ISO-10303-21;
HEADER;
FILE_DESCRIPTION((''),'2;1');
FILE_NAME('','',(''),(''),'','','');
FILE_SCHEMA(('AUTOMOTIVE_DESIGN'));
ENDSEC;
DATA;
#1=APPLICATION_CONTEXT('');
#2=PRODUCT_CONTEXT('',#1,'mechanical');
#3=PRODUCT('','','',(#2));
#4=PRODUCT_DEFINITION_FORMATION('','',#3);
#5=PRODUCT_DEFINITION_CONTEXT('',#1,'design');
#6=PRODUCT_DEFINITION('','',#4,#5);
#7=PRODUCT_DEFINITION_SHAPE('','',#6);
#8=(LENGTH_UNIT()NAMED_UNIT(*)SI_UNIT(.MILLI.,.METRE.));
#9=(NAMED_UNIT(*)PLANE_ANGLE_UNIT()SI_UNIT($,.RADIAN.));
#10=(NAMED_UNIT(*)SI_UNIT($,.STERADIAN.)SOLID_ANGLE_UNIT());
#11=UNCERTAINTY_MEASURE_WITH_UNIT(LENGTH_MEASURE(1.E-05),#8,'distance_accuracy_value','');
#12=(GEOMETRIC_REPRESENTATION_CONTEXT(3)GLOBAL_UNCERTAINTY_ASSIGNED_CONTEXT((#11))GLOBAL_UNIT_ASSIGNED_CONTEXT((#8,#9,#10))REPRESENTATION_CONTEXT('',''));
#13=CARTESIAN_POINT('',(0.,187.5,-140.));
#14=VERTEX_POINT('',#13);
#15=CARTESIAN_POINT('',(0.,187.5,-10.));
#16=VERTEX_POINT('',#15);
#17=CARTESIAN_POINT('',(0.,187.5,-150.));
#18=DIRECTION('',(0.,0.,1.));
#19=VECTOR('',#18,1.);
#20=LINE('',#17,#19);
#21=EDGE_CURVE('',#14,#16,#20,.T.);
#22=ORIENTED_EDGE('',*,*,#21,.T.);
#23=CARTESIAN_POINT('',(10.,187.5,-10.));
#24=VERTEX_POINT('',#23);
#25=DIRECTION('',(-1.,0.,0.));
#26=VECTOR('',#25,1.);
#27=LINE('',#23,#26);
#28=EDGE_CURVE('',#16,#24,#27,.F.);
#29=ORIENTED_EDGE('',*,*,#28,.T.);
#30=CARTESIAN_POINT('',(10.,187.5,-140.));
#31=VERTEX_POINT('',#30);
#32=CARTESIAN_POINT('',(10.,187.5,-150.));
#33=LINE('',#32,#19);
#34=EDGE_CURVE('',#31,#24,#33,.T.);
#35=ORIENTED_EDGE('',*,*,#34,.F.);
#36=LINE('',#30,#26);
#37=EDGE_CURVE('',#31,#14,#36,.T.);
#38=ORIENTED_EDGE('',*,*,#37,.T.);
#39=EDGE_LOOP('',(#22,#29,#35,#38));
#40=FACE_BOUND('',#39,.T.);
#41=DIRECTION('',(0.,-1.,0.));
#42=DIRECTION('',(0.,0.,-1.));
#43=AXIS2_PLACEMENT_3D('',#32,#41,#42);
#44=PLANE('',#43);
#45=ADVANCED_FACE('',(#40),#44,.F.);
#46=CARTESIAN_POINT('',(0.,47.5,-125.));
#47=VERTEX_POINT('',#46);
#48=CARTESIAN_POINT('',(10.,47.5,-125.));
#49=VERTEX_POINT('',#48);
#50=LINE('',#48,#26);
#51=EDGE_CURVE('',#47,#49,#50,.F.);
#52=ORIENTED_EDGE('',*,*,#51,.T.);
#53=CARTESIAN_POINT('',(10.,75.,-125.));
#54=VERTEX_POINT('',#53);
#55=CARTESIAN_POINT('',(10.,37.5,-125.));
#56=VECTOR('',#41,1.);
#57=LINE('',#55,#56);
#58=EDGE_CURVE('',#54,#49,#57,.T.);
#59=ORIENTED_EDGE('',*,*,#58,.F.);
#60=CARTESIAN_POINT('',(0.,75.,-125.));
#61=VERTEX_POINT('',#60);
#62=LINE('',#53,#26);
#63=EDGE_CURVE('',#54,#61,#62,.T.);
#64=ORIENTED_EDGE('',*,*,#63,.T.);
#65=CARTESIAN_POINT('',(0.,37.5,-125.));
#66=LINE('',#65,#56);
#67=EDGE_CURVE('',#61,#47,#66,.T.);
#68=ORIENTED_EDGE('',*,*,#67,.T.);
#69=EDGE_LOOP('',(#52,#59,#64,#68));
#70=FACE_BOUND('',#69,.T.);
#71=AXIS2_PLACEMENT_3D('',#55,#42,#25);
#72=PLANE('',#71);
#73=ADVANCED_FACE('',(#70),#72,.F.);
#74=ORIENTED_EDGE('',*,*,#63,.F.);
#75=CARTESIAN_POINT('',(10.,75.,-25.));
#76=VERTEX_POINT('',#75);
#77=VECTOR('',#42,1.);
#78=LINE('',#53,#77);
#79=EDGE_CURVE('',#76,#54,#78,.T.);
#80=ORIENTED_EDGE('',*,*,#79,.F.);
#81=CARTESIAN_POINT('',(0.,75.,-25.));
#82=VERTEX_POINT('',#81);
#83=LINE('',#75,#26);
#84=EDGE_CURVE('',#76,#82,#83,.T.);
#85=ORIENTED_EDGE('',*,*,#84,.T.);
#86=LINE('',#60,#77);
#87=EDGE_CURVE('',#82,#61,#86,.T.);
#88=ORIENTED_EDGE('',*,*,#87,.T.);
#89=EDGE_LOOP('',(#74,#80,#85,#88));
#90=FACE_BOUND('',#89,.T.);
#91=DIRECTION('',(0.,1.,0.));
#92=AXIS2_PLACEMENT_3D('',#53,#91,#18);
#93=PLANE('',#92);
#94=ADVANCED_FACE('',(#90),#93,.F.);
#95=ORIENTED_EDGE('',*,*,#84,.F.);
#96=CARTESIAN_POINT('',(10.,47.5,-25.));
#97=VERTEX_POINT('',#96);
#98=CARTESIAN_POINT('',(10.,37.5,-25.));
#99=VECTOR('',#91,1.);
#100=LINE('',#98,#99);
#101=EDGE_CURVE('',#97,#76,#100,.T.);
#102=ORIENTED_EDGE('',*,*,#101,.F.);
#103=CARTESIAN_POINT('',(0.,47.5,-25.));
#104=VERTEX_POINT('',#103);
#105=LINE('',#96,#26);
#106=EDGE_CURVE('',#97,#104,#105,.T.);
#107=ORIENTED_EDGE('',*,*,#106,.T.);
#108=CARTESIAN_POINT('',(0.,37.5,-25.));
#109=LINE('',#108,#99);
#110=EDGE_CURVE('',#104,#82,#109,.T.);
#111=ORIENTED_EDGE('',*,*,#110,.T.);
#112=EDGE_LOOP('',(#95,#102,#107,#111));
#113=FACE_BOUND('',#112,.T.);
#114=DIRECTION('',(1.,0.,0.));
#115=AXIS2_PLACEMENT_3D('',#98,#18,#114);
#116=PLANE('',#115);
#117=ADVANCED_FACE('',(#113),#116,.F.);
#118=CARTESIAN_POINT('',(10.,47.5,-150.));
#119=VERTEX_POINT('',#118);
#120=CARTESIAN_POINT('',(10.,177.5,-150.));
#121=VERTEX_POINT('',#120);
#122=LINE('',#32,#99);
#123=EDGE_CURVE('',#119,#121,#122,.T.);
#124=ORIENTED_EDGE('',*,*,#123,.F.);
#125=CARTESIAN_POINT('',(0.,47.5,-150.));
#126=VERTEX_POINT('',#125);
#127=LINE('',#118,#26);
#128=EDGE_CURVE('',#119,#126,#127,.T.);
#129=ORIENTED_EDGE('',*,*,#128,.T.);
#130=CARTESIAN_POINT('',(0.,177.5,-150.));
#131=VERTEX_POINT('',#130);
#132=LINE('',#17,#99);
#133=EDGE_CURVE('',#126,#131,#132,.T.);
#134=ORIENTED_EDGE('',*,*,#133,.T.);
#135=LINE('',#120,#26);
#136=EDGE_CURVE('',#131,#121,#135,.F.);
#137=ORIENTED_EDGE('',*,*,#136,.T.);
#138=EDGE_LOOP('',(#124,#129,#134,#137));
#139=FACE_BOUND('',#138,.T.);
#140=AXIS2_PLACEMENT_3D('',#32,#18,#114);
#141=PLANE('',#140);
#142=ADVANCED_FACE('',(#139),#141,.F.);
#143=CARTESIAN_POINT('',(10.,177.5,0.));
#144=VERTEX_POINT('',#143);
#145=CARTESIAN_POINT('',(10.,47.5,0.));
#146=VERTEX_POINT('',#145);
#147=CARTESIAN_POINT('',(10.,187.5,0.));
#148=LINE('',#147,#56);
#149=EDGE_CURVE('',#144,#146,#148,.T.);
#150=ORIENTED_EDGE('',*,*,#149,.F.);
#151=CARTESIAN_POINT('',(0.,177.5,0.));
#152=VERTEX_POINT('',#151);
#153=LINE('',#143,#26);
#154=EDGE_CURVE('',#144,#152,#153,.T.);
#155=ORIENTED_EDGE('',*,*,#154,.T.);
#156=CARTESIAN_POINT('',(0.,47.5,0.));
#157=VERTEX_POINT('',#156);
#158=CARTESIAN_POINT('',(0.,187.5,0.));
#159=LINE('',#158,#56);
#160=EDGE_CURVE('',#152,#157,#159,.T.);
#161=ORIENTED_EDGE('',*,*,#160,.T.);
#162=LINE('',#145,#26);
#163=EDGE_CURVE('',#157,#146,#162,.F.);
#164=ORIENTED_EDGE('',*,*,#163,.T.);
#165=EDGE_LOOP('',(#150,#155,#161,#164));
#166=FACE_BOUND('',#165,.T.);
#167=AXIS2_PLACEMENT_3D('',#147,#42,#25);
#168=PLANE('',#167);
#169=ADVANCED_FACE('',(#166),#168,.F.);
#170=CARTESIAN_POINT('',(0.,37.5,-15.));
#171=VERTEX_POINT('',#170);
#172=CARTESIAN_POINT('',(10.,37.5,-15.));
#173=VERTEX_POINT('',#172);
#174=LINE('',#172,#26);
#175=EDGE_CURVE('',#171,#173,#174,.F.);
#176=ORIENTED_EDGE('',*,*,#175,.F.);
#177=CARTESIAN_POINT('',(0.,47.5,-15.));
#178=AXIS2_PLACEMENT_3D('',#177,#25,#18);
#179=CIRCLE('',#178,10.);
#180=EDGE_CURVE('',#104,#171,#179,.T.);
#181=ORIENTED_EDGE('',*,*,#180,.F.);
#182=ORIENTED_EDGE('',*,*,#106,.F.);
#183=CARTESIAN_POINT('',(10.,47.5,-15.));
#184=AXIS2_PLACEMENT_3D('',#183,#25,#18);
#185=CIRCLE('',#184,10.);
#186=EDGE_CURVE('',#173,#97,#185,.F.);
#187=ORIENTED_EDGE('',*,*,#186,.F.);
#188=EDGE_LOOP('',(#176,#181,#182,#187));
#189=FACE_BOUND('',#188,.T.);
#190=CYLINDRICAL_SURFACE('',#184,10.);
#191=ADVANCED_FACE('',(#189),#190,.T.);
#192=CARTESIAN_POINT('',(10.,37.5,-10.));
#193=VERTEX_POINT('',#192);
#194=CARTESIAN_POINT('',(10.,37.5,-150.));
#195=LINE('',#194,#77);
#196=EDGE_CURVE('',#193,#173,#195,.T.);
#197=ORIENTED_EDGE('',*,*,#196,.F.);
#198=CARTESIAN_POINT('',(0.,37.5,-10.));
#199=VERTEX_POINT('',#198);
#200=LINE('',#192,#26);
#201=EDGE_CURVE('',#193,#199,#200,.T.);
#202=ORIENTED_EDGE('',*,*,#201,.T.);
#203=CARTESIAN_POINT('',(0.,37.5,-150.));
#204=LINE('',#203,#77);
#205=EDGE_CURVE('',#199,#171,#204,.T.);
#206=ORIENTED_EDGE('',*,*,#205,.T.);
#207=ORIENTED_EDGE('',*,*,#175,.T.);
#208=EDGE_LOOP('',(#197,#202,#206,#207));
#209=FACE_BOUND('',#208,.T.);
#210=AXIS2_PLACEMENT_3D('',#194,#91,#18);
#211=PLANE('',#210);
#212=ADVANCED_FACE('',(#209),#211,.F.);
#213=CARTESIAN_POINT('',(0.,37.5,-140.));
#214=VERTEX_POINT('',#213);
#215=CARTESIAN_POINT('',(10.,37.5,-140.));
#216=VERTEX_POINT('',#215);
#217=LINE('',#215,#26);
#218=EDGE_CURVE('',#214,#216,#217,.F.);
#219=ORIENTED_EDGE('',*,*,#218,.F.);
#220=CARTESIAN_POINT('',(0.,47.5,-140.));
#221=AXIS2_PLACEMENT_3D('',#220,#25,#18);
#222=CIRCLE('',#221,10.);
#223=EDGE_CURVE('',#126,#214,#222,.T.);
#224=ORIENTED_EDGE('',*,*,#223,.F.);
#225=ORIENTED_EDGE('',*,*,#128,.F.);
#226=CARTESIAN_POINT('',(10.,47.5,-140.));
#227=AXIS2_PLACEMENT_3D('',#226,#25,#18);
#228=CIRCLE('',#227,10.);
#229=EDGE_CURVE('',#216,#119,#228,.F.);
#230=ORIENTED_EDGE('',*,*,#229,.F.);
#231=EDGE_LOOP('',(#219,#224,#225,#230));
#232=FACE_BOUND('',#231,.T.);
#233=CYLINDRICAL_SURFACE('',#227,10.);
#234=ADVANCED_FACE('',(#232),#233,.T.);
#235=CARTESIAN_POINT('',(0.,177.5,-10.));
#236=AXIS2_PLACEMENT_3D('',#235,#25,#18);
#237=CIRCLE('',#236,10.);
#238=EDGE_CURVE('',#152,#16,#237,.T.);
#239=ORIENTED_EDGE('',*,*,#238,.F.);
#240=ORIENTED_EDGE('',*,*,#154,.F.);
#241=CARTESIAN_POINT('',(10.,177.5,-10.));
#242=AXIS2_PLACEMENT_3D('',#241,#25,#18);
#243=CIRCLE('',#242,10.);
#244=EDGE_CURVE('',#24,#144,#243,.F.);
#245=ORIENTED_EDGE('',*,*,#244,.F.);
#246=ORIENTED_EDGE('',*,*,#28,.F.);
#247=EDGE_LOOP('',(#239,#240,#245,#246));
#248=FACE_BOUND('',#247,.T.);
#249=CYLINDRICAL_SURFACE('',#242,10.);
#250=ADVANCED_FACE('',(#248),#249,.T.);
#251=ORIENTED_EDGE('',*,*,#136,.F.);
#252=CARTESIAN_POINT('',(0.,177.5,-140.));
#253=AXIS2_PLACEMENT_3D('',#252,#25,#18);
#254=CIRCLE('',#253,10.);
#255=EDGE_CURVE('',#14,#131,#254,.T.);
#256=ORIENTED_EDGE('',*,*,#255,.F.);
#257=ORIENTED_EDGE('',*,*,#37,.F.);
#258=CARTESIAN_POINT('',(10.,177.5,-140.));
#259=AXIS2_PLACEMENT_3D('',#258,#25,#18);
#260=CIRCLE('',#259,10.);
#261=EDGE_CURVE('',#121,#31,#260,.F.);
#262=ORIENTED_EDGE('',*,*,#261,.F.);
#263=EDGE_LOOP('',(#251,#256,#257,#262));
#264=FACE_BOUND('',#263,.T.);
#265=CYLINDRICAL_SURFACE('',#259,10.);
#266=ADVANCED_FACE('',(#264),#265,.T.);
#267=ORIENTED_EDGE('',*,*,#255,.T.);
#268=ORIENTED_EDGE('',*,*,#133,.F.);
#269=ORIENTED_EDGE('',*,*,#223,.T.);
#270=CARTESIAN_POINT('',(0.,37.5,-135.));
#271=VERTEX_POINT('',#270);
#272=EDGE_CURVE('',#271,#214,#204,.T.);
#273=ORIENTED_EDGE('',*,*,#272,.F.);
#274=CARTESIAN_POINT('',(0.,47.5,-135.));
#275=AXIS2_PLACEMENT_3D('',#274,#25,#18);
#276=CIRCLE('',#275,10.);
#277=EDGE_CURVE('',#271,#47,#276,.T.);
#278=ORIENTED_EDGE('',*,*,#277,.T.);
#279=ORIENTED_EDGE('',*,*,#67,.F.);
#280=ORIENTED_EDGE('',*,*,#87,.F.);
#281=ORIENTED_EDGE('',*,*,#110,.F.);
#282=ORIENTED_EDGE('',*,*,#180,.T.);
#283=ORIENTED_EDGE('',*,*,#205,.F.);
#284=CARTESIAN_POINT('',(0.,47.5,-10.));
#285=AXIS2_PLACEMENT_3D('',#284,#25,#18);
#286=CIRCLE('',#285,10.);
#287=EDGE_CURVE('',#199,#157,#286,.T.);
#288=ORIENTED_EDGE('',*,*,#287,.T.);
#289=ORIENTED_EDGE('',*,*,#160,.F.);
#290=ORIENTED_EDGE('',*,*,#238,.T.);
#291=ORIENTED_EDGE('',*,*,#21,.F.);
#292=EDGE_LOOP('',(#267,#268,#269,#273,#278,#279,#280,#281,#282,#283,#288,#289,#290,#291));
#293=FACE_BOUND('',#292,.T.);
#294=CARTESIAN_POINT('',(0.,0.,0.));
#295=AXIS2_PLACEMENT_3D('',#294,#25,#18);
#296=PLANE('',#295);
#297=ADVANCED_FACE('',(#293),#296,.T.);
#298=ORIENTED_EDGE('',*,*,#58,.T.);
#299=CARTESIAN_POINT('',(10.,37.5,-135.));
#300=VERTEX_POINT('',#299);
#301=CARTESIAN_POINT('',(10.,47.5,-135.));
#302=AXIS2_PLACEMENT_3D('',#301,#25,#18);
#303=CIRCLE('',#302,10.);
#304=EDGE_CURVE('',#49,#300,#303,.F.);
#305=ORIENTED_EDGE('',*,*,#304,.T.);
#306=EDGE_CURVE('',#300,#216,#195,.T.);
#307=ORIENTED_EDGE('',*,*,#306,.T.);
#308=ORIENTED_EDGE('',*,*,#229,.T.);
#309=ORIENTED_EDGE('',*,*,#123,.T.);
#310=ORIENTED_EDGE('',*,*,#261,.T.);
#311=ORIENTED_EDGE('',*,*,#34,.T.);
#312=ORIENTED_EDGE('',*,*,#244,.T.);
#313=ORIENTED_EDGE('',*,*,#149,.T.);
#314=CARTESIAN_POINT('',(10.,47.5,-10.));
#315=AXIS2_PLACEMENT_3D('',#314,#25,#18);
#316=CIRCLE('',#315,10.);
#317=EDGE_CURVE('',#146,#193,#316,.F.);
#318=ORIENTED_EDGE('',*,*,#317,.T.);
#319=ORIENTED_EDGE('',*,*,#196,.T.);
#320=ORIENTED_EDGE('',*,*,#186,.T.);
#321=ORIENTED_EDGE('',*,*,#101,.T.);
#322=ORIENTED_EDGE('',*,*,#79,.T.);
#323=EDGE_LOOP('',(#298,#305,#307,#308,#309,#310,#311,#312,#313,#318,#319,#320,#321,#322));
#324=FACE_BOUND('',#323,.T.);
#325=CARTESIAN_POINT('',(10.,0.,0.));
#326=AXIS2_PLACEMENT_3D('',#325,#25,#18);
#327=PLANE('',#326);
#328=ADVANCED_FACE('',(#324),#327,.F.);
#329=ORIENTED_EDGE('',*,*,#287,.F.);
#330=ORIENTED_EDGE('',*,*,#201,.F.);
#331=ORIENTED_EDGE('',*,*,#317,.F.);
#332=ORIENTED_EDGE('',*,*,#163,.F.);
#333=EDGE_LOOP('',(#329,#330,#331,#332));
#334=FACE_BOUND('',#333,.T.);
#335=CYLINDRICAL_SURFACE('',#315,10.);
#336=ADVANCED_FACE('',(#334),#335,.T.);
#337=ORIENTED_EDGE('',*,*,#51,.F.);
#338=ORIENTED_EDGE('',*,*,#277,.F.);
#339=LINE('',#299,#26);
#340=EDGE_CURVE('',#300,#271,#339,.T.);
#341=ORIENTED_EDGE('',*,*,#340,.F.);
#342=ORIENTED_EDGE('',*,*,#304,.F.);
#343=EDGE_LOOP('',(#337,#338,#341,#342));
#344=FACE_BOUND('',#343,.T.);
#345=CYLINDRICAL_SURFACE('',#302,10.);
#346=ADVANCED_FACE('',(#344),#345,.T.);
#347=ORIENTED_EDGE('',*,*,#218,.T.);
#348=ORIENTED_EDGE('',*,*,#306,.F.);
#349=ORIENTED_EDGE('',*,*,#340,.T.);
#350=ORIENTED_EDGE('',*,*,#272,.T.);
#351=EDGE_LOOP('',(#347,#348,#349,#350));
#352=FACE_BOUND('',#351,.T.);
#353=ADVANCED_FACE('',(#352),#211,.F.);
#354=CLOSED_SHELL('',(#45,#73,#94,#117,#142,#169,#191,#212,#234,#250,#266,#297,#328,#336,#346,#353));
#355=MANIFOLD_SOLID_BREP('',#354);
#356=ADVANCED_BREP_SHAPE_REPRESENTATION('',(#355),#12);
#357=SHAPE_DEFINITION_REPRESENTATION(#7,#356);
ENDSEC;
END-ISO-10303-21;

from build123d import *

# Parameters (mm, degrees)
SKETCH10_W          = 150
SKETCH10_H          = 150
BOSS_EXTRUDE3_DEPTH = 10
SKETCH12_W          = 100
SKETCH12_H          = 37.5
CUT_EXTRUDE2_DEPTH  = 10
FILLET7_R           = 10


with BuildPart() as part:
    # Sketch10 → Boss-Extrude3 (new body)
    with BuildSketch(Plane(origin=(0, 0, 0), x_dir=(0, 0, -1), z_dir=(1, 0, 0))):
        with Locations((75, 112.5)):
            Rectangle(SKETCH10_W, SKETCH10_H)
    extrude(amount=BOSS_EXTRUDE3_DEPTH)

    # Sketch12 → Cut-Extrude2 (cut)
    with BuildSketch(Plane.ZY):
        with Locations((-75, 56.25)):
            Rectangle(SKETCH12_W, SKETCH12_H)
    extrude(amount=-CUT_EXTRUDE2_DEPTH, mode=Mode.SUBTRACT)

    # Fillet7
    fillet7_edges = [part.edges().sort_by_distance(p)[0] for p in [
        (5, 37.5, -125),
        (5, 37.5, -25),
        (5, 187.5, 0),
        (5, 187.5, -150),
        (5, 37.5, -150),
        (5, 37.5, 0),
    ]]
    fillet(fillet7_edges, radius=FILLET7_R)


solid = part.part
